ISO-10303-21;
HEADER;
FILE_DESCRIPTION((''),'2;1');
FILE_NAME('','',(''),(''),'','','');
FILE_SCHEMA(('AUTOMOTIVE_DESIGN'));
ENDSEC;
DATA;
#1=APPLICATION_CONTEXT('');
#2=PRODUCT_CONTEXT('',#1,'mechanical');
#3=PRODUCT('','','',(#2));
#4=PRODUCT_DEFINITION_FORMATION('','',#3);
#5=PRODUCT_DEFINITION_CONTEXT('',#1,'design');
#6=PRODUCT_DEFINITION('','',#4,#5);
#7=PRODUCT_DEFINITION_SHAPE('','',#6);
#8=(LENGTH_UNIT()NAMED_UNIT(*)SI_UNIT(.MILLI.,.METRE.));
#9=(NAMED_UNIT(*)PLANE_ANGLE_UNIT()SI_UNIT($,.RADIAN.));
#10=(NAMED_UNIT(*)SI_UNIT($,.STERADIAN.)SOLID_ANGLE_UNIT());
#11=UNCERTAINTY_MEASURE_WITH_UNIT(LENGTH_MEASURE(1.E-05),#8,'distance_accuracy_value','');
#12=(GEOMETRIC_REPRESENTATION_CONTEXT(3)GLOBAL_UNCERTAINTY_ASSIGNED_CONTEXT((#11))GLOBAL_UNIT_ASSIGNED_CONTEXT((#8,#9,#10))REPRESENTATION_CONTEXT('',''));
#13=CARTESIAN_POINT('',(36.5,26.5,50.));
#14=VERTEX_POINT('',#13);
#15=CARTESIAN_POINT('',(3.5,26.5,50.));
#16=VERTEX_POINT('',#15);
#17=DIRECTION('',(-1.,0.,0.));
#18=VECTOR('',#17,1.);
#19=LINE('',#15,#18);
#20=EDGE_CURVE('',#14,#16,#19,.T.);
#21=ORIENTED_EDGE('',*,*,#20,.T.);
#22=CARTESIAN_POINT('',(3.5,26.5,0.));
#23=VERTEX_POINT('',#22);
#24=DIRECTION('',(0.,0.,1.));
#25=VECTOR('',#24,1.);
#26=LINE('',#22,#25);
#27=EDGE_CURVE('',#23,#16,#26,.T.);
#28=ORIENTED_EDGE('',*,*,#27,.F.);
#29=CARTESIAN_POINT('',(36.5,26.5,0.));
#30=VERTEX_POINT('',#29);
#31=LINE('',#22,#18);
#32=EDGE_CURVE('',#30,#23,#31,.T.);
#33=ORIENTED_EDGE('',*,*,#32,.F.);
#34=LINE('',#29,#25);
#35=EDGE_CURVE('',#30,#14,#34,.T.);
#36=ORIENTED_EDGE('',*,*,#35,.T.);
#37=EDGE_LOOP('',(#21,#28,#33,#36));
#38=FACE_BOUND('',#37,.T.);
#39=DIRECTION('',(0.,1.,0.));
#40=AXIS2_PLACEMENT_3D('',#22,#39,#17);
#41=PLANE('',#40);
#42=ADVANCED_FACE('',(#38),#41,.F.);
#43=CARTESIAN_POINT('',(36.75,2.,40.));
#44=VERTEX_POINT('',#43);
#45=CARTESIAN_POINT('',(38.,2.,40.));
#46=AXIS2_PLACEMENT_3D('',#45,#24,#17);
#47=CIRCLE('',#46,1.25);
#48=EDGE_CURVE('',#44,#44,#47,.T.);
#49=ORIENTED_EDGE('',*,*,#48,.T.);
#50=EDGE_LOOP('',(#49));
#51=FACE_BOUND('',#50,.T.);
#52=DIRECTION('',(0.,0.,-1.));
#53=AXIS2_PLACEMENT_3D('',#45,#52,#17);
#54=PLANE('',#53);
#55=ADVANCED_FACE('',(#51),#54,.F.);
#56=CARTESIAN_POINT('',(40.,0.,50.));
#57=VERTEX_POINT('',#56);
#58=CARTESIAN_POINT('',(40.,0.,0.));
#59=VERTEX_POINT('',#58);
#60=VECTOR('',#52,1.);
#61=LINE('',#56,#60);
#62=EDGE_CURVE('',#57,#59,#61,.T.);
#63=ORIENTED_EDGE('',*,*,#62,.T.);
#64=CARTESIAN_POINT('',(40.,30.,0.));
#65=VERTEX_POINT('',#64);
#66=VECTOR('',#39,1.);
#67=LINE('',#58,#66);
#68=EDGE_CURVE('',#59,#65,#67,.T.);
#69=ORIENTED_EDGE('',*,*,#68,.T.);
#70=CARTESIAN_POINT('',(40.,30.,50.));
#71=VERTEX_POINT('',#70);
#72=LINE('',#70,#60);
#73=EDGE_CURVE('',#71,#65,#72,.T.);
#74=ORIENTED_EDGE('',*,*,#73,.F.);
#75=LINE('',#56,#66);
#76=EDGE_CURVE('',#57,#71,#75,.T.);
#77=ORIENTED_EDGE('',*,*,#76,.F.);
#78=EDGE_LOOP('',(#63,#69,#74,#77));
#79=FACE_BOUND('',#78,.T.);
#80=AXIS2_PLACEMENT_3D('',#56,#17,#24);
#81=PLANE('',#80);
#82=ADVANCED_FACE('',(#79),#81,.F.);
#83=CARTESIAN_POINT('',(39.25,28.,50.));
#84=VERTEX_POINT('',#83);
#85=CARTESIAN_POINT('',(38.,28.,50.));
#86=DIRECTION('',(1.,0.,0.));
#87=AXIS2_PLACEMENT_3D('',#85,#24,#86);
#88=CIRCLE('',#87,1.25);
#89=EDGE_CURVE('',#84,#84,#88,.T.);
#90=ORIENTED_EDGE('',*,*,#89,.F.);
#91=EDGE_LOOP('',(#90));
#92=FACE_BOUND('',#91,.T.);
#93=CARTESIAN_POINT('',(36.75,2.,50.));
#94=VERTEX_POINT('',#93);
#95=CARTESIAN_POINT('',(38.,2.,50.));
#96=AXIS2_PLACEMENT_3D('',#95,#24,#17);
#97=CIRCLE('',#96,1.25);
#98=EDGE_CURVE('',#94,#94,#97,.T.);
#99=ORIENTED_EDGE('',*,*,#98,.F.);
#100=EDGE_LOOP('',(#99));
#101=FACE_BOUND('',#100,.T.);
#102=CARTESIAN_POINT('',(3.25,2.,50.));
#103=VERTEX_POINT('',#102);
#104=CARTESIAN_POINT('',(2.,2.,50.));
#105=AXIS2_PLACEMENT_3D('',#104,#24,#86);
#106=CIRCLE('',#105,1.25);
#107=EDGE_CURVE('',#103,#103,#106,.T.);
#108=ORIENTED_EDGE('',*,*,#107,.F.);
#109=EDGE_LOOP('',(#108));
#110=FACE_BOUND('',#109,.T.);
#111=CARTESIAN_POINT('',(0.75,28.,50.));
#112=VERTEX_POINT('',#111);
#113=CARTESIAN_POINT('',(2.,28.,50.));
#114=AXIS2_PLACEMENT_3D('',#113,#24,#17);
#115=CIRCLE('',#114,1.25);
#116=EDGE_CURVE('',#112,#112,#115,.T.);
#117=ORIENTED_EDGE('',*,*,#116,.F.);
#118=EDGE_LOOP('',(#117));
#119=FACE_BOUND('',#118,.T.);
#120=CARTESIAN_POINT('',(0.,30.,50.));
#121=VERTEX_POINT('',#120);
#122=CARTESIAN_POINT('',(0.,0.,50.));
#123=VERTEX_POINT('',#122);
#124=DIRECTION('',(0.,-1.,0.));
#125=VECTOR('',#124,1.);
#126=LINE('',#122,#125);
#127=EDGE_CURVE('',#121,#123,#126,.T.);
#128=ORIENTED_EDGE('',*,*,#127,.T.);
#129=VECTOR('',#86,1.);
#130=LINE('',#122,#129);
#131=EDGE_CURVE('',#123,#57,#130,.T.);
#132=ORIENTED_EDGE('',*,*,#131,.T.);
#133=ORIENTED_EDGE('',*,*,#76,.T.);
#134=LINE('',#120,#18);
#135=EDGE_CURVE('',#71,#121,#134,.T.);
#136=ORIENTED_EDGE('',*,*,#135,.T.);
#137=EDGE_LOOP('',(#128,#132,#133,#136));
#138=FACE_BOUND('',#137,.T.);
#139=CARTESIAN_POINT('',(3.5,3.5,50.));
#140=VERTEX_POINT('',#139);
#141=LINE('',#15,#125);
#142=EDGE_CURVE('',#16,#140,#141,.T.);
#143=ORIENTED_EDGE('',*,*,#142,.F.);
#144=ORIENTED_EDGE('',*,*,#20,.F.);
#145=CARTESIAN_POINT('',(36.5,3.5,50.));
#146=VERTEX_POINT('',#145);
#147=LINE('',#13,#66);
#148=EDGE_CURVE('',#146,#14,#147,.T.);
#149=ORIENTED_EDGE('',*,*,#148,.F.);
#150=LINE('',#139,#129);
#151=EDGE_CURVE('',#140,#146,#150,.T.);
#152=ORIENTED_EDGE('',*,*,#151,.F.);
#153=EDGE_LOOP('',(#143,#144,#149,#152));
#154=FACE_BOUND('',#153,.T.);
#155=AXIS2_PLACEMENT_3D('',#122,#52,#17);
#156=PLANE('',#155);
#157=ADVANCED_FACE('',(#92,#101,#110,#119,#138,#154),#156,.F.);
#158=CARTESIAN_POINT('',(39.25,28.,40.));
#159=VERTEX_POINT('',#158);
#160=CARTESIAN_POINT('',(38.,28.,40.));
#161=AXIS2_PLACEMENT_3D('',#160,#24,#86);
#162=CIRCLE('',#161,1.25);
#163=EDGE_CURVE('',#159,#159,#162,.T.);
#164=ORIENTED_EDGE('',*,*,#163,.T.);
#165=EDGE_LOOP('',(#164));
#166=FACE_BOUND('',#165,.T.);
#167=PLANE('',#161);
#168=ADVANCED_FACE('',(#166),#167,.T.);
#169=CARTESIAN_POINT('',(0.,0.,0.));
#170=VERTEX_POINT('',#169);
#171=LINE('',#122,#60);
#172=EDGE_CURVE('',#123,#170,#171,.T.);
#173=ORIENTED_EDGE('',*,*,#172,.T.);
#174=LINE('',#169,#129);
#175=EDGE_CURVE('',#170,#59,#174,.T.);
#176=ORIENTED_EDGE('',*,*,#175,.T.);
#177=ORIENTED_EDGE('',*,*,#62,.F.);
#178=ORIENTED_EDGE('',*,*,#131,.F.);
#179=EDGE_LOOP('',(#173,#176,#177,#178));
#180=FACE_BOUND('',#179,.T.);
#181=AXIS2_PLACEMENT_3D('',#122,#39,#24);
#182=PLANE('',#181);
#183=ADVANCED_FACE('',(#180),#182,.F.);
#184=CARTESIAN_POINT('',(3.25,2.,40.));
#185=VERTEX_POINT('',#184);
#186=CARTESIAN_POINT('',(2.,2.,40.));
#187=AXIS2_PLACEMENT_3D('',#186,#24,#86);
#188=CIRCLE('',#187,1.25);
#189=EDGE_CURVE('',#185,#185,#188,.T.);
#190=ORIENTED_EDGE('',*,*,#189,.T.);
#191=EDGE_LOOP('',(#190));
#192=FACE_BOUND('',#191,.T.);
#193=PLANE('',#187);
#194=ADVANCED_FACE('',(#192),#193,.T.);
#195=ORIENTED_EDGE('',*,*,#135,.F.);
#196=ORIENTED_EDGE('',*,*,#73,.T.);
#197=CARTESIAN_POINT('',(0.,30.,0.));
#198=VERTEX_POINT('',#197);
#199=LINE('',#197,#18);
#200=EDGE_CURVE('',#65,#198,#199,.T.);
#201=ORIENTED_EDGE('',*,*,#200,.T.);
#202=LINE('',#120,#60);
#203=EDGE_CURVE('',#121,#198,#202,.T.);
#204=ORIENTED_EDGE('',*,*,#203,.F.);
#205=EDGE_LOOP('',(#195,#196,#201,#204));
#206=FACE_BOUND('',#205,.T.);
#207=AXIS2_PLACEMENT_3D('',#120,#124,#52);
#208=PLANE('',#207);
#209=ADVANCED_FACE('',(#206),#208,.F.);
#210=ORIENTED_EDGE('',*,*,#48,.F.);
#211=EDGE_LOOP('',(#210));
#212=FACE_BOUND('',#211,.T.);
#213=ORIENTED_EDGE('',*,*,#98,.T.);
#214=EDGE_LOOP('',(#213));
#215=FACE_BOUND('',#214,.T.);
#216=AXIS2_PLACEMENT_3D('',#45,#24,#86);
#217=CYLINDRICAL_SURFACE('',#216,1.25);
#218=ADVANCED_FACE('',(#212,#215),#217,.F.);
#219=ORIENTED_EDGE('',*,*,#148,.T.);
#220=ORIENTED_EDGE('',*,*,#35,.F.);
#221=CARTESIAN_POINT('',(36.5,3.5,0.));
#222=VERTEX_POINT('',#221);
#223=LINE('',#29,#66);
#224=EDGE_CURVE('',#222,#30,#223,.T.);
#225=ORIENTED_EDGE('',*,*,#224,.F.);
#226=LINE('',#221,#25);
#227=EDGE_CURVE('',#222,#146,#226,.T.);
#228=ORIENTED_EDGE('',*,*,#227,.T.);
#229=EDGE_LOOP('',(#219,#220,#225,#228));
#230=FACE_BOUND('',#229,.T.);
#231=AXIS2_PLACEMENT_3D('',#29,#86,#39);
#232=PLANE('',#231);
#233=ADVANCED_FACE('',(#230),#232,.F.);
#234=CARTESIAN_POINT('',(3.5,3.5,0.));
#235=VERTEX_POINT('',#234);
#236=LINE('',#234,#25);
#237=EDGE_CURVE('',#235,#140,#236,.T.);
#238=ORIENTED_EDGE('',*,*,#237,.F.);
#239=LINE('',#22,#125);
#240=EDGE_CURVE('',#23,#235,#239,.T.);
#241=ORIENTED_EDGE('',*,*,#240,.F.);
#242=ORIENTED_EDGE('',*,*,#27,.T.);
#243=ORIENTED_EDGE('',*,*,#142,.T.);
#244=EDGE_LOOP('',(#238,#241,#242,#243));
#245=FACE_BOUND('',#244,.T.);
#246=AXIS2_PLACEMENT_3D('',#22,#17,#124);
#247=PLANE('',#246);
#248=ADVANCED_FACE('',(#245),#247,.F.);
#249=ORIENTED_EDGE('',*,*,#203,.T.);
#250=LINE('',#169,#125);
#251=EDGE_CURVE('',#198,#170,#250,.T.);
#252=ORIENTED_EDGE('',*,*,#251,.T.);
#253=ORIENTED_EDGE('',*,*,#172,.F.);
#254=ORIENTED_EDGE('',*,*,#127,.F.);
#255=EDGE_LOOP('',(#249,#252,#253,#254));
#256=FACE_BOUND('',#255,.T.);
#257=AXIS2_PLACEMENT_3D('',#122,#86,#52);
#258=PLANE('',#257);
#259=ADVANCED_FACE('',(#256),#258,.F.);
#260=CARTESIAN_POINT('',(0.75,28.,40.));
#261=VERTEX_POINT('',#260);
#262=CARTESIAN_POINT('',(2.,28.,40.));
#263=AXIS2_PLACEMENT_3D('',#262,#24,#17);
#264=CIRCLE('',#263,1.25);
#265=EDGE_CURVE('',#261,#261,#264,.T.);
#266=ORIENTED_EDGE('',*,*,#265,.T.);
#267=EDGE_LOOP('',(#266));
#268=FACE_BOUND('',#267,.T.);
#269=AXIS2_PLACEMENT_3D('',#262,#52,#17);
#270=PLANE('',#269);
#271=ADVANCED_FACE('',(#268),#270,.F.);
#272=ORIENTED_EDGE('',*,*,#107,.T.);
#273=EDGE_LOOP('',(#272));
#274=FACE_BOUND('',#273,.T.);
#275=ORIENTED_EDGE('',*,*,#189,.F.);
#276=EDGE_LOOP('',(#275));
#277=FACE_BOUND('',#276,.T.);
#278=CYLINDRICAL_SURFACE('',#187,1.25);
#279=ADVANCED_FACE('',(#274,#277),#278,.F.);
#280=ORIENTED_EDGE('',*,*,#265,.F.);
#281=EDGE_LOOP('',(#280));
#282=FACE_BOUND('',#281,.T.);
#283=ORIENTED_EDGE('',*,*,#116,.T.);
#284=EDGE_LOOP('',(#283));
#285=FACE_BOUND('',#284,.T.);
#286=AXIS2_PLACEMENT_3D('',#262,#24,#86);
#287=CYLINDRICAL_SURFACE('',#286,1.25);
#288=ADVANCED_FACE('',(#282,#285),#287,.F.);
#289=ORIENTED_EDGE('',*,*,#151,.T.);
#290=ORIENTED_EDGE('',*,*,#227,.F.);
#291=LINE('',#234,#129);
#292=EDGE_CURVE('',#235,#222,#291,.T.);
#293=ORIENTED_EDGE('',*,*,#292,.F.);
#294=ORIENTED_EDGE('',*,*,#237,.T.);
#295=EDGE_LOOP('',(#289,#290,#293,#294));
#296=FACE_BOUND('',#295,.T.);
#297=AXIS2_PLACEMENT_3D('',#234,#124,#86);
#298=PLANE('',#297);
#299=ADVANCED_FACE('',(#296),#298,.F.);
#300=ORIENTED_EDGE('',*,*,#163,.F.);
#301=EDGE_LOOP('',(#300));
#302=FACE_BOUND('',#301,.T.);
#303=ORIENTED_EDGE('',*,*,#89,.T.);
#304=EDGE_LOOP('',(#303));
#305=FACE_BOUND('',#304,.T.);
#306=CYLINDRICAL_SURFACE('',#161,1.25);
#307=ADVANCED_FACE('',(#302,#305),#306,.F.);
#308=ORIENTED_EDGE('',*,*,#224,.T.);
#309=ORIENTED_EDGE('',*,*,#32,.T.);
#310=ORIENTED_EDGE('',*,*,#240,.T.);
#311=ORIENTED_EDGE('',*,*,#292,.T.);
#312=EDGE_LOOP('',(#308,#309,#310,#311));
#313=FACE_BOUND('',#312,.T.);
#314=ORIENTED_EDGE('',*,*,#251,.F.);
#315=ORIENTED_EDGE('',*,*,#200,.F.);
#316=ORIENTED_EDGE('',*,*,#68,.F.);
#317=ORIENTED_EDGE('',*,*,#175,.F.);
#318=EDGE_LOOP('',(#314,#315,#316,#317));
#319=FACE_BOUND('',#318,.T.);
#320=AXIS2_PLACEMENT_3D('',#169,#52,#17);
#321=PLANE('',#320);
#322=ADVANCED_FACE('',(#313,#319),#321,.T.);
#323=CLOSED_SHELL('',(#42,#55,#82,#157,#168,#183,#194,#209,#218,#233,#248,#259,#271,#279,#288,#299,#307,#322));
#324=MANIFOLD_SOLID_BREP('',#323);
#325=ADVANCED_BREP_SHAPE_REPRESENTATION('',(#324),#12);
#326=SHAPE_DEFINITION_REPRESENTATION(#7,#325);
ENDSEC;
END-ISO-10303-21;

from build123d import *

# Parameters (mm, degrees)
SKETCH1_W           = 40
SKETCH1_H           = 30
BOSS_EXTRUDE1_DEPTH = 50
SKETCH3_W           = 33
SKETCH3_H           = 23
CUT_EXTRUDE1_DEPTH  = 51
SKETCH4_R           = 1.25
CUT_EXTRUDE2_DEPTH  = 10


with BuildPart() as part:
    # Sketch1 → Boss-Extrude1 (new body)
    with BuildSketch(Plane.XY):
        with Locations((20, 15)):
            Rectangle(SKETCH1_W, SKETCH1_H)
    extrude(amount=BOSS_EXTRUDE1_DEPTH)

    # Sketch3 → Cut-Extrude1 (cut, through all)
    with BuildSketch(Plane.XY.offset(50)):
        with Locations((20, 15)):
            Rectangle(SKETCH3_W, SKETCH3_H)
    extrude(amount=-CUT_EXTRUDE1_DEPTH, mode=Mode.SUBTRACT)

    # Sketch4 → Cut-Extrude2 (cut)
    with BuildSketch(Plane.XY.offset(50)):
        with Locations((38, 28)):
            Circle(SKETCH4_R)
        with Locations((2, 28)):
            Circle(SKETCH4_R)
        with Locations((2, 2)):
            Circle(SKETCH4_R)
        with Locations((38, 2)):
            Circle(SKETCH4_R)
    extrude(amount=-CUT_EXTRUDE2_DEPTH, mode=Mode.SUBTRACT)


solid = part.part
